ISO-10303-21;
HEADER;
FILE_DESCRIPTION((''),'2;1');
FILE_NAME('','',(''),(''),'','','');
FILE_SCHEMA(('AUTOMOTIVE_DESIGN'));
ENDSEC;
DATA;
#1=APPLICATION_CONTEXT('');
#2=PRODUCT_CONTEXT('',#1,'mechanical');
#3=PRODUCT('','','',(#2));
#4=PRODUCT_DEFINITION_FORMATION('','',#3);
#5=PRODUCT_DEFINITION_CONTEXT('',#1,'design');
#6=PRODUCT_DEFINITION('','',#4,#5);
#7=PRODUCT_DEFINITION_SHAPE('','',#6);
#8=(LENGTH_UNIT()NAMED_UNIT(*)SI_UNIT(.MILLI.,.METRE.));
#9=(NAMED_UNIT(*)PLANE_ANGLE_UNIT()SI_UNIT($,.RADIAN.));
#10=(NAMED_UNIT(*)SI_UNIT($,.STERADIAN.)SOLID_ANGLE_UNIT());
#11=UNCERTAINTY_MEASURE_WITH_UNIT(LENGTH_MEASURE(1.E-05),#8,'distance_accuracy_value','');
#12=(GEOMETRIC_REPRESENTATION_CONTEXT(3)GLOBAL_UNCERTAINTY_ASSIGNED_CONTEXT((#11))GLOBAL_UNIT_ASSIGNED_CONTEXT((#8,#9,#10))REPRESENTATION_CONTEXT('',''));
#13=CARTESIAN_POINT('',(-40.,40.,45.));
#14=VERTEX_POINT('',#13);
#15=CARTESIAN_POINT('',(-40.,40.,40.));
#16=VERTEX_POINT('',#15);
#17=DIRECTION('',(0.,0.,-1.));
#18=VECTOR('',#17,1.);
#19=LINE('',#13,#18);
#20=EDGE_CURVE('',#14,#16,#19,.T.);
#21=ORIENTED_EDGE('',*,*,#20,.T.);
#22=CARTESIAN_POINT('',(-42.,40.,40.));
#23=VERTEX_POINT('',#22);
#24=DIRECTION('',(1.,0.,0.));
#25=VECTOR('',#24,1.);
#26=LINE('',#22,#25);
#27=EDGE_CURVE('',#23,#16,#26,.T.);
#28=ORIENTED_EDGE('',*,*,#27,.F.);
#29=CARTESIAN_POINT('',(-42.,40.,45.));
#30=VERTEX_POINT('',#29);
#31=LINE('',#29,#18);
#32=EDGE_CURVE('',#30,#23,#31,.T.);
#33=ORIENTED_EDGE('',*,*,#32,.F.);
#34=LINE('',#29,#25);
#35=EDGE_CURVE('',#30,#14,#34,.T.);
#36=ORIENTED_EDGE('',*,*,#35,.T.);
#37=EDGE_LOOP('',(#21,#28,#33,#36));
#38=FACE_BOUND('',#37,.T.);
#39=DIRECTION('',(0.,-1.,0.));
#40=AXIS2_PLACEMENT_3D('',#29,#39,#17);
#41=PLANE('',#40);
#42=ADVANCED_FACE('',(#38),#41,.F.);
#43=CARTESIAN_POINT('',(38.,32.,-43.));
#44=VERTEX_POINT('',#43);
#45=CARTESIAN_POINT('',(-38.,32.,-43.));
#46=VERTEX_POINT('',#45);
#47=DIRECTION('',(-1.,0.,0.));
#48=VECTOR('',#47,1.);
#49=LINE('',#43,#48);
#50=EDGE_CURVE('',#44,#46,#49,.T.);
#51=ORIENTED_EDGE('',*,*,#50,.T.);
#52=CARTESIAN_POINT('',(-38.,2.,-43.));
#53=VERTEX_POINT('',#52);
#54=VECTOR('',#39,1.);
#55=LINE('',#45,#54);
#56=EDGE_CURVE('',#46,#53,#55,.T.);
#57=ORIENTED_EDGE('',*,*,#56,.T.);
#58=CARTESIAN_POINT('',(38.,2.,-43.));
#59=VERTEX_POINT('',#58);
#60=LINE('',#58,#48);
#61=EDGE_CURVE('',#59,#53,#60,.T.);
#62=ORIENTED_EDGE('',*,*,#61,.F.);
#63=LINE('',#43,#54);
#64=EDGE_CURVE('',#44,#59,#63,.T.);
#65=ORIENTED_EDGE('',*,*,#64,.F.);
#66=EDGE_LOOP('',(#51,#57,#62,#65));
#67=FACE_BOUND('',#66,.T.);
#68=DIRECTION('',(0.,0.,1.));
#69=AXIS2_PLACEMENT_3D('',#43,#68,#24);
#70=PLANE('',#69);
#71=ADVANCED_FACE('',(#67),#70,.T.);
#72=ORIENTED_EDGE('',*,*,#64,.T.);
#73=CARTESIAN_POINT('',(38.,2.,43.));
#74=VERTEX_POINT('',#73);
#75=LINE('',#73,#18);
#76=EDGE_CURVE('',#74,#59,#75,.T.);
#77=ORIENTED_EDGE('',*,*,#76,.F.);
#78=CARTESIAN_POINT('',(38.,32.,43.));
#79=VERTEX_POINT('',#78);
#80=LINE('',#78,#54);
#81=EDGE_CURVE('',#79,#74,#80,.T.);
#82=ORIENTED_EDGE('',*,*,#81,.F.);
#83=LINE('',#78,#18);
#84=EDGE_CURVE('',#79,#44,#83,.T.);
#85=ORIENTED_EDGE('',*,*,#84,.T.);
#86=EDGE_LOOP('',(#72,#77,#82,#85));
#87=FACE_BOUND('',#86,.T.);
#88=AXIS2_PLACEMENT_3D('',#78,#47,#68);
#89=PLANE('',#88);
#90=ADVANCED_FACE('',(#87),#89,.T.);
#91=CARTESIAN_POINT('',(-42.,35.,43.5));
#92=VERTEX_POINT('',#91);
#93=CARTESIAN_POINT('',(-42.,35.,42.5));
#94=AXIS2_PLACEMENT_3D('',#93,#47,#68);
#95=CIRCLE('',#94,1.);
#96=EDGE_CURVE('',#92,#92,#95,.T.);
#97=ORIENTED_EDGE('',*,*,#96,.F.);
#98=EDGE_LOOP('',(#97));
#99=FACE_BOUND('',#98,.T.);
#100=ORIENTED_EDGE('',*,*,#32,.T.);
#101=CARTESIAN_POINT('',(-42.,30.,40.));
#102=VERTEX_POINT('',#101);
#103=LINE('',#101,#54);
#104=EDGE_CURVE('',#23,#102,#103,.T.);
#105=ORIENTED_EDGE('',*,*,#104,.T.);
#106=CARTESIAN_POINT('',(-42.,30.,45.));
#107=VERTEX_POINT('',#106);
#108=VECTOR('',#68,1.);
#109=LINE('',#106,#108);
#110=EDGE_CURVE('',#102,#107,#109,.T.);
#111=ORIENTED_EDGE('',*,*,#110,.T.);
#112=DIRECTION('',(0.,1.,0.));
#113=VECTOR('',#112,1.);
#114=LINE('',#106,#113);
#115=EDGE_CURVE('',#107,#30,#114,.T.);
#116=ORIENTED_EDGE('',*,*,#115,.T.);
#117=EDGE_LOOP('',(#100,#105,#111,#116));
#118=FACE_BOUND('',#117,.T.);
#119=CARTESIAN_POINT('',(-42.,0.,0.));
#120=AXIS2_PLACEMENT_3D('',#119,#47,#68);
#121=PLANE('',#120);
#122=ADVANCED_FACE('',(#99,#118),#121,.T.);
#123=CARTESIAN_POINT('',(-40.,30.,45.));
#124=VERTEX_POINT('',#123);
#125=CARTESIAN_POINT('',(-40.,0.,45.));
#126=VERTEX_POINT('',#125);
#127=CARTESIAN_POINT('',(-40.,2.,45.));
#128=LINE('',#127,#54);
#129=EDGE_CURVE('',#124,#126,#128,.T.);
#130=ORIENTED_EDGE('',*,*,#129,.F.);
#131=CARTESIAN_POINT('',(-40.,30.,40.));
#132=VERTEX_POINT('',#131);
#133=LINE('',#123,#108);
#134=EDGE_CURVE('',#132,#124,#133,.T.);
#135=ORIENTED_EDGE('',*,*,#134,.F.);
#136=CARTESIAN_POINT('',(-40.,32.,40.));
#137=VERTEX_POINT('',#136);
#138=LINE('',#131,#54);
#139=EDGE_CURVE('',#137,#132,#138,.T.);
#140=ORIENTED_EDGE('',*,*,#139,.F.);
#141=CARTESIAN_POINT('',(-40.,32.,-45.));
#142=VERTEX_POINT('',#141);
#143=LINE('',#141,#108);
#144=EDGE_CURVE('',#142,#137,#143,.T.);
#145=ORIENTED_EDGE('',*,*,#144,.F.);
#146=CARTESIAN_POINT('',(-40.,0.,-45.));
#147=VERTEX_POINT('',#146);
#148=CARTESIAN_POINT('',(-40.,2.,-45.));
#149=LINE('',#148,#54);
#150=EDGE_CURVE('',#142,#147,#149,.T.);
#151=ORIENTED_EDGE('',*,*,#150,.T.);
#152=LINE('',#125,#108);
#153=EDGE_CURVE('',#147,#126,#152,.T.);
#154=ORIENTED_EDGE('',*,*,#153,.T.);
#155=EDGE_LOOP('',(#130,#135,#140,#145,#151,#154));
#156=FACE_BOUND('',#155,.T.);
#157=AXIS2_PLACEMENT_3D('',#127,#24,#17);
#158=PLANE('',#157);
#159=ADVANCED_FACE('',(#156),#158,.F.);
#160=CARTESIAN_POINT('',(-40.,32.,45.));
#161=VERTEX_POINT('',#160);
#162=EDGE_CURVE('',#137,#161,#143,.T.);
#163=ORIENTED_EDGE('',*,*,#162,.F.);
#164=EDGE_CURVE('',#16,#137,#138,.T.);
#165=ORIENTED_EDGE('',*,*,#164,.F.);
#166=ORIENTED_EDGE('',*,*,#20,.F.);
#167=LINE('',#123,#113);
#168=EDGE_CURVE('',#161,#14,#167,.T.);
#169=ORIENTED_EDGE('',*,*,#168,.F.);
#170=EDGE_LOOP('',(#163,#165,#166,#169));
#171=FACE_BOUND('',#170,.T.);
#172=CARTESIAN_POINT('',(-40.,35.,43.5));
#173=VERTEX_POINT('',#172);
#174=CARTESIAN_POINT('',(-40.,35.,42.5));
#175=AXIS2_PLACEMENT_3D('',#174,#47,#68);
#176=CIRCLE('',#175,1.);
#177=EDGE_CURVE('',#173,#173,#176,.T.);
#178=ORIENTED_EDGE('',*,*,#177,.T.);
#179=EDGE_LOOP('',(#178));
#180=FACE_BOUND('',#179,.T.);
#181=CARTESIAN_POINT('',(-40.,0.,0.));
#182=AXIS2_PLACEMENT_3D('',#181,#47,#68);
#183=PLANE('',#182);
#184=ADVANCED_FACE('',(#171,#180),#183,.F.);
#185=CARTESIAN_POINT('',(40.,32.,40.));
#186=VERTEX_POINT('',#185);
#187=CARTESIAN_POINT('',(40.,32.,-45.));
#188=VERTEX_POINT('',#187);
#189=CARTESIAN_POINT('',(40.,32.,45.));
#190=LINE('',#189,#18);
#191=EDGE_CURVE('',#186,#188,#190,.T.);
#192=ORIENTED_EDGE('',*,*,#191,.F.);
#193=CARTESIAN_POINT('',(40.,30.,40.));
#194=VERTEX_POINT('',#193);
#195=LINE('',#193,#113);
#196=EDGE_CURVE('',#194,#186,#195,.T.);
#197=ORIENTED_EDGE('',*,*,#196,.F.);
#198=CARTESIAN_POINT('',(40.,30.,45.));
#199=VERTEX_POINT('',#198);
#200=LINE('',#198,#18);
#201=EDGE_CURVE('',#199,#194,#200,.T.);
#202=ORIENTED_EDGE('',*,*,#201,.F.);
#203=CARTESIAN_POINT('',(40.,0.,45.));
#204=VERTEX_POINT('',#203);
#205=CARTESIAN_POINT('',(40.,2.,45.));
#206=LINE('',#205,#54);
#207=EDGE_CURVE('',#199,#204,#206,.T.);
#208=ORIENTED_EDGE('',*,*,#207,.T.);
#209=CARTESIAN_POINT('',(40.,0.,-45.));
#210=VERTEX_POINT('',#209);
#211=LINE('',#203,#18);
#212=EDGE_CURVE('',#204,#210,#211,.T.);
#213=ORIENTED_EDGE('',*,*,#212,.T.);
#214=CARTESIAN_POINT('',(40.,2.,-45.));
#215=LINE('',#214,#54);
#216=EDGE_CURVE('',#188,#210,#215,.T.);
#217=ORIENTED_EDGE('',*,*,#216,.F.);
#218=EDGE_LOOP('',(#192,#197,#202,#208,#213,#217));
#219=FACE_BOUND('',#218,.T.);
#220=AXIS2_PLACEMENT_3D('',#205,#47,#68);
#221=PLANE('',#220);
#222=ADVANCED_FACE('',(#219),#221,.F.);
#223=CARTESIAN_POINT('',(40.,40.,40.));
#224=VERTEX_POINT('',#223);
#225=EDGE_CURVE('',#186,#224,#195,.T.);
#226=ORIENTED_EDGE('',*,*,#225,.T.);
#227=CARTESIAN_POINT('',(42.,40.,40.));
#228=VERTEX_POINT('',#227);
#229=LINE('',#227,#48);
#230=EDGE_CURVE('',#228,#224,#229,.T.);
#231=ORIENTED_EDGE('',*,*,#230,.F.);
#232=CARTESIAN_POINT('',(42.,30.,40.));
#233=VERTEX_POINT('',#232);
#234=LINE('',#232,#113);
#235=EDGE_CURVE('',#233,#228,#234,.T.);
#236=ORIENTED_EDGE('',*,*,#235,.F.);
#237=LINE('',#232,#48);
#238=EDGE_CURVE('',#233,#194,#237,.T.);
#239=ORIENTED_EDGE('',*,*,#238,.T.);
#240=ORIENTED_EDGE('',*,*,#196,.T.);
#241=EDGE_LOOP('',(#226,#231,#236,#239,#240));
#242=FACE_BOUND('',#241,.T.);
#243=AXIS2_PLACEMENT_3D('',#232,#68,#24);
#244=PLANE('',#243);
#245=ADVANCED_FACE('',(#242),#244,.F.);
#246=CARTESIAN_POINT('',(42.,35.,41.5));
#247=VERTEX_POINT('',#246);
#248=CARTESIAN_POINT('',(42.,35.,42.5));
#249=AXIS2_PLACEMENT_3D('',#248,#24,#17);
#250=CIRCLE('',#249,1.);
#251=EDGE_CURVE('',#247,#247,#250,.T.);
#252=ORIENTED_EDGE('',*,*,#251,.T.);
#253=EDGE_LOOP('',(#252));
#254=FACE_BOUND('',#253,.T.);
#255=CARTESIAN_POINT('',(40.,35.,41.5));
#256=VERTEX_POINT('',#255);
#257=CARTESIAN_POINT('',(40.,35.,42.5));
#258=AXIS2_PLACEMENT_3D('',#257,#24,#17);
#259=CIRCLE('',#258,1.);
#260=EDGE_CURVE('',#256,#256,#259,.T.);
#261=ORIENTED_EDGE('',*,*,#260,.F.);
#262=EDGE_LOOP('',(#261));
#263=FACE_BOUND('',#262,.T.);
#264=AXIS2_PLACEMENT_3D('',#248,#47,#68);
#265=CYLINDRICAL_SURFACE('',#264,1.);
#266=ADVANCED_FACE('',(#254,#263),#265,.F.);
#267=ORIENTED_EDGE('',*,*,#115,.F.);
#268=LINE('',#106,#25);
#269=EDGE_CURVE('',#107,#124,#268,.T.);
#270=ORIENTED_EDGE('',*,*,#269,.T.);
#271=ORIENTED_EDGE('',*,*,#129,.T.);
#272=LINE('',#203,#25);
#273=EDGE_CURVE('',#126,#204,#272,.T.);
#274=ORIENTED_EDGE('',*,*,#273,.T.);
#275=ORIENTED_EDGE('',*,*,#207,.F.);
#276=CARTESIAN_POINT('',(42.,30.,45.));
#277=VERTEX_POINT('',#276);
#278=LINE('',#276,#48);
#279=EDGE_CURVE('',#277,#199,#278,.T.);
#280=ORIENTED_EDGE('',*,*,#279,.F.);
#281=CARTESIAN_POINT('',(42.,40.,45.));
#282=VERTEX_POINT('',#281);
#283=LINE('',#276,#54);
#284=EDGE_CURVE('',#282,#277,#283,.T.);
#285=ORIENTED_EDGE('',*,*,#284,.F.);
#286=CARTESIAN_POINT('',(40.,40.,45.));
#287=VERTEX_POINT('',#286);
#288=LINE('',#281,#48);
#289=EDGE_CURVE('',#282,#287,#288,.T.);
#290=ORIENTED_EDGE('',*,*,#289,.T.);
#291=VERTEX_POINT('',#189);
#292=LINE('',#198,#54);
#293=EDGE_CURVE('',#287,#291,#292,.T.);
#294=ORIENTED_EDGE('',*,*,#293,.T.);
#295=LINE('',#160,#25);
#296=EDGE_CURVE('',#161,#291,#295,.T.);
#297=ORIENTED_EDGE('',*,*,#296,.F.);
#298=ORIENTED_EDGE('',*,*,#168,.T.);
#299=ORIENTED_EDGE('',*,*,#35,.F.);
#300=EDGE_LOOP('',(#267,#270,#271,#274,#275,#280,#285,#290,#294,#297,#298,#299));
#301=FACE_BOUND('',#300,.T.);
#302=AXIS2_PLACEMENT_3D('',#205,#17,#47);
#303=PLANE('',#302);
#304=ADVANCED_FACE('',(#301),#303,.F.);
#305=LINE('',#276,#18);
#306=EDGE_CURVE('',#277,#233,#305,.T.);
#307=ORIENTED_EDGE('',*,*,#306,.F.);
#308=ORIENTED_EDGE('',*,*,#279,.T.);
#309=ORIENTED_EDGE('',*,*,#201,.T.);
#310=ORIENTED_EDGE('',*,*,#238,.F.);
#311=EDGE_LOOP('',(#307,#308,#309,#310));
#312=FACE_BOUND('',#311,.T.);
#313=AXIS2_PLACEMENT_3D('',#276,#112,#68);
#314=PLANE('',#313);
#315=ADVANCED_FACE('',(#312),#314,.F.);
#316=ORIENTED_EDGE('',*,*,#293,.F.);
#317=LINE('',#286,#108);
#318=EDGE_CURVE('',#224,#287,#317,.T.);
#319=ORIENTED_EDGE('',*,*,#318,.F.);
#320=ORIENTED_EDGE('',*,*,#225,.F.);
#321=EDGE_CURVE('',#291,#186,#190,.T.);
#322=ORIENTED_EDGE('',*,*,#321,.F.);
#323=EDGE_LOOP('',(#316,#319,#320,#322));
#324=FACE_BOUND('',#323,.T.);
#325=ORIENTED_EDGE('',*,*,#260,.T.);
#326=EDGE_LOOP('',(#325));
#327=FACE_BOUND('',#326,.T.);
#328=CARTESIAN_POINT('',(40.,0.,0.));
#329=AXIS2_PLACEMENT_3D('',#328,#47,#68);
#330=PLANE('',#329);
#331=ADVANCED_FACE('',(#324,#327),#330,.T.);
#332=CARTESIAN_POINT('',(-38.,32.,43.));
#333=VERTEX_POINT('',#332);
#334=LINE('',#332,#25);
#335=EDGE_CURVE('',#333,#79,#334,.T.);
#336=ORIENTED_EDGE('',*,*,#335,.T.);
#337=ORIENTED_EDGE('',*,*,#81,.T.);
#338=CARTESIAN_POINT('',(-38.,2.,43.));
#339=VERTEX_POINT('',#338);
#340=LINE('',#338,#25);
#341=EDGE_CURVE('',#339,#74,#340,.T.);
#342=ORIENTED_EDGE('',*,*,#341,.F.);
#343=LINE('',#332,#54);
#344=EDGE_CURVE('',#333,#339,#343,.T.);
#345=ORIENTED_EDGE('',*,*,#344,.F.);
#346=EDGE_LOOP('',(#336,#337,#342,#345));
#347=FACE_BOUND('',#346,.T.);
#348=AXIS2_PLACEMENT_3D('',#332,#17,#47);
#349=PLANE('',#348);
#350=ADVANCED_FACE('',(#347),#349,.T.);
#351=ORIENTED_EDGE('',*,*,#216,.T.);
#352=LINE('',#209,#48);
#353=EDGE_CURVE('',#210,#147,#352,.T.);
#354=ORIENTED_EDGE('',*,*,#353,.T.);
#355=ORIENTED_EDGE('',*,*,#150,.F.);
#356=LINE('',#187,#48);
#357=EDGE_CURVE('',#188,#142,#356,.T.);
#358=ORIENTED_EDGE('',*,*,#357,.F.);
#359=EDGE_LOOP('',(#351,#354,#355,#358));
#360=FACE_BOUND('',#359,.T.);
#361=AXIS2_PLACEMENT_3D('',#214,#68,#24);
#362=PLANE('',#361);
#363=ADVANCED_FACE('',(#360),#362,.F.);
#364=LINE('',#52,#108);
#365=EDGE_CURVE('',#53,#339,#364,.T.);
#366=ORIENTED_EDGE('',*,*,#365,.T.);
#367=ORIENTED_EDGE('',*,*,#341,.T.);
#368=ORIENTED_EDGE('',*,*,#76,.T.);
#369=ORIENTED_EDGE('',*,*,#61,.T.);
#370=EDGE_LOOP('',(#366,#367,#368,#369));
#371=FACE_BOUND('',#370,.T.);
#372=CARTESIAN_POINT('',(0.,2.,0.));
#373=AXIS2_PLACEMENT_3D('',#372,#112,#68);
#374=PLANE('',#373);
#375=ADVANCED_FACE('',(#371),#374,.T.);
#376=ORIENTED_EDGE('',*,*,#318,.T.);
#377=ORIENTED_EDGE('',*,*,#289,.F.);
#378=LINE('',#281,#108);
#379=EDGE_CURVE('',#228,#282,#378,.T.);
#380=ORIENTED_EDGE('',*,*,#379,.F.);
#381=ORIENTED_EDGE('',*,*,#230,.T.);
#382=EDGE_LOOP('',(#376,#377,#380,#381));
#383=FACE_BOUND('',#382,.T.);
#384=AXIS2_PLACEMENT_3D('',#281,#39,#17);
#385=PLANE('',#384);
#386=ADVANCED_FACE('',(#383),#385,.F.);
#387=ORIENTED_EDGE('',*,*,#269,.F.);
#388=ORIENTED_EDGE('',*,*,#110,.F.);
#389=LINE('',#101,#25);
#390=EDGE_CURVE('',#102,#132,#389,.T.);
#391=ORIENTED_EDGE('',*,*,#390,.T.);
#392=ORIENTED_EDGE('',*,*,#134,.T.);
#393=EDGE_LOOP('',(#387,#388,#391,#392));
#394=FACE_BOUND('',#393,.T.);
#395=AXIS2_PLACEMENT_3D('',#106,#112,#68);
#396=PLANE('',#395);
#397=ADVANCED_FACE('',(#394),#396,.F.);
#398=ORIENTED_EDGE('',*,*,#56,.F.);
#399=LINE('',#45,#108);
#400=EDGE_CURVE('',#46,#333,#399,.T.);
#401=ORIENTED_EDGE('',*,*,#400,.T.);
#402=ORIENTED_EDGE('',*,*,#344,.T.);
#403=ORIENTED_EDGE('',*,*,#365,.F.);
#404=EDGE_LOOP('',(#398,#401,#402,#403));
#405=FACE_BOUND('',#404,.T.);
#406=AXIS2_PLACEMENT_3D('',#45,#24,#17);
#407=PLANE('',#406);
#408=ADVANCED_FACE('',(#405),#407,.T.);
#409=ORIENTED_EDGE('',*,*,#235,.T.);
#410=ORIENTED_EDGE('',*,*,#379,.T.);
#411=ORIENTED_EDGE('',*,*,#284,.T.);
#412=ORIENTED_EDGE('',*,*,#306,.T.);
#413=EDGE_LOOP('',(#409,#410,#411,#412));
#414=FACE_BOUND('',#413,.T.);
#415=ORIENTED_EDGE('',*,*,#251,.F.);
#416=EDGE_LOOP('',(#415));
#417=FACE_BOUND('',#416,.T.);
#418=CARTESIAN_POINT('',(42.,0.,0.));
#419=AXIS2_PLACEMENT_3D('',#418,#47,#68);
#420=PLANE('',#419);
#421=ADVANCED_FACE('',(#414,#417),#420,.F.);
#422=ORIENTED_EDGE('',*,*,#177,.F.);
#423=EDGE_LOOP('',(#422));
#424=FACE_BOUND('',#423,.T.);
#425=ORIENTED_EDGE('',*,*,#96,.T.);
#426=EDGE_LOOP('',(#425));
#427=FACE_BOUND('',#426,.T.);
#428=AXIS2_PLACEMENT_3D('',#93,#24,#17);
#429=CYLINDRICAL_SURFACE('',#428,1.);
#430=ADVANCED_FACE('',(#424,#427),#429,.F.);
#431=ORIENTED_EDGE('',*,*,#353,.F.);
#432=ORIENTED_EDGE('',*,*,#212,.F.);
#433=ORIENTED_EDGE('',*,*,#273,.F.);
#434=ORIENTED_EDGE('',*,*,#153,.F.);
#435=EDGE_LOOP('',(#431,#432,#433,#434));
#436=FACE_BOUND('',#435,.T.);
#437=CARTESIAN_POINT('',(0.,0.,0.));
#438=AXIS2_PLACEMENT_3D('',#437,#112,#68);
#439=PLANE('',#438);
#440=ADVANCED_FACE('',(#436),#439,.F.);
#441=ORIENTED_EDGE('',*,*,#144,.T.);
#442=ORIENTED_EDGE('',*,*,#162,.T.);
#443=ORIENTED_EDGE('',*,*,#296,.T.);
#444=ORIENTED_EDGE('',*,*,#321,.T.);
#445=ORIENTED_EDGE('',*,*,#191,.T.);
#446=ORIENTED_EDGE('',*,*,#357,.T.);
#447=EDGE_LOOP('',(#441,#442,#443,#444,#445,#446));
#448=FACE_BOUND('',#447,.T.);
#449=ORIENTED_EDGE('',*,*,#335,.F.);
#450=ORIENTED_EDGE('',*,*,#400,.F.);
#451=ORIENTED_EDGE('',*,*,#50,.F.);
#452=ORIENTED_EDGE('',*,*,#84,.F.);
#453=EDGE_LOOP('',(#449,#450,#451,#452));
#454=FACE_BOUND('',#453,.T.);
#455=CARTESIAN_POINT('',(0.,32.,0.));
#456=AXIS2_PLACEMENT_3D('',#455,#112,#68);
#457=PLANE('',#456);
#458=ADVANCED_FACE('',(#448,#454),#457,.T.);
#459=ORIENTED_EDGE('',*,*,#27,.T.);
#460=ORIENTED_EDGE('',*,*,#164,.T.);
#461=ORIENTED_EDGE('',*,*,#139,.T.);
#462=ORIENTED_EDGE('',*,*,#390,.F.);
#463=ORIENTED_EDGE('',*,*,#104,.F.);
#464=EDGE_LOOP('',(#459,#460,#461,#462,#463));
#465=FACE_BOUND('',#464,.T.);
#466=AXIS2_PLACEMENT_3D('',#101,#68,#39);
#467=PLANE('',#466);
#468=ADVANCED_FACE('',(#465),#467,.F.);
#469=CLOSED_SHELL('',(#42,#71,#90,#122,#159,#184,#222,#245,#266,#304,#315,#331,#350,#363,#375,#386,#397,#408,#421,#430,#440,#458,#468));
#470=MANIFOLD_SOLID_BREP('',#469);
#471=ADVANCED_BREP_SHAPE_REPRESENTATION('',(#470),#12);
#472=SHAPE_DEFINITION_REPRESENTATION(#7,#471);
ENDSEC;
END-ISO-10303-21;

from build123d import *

# Parameters (mm, degrees)
SKETCH1_W           = 80
SKETCH1_H           = 90
BOSS_EXTRUDE1_DEPTH = 2
SKETCH2_W           = 80
SKETCH2_H           = 90
SKETCH2_W_2         = 76
SKETCH2_H_2         = 86
BOSS_EXTRUDE2_DEPTH = 30
SKETCH4_W           = 5
SKETCH4_H           = 10
SKETCH4_R           = 1
BOSS_EXTRUDE3_DEPTH = 2
BOSS_EXTRUDE4_START = 2
SKETCH5_W           = 5
SKETCH5_H           = 10
SKETCH5_R           = 1
BOSS_EXTRUDE4_DEPTH = 2


with BuildPart() as part:
    # Sketch1 → Boss-Extrude1 (new body)
    with BuildSketch(Plane(origin=(0, 0, 0), x_dir=(1, 0, 0), z_dir=(0, 1, 0))):
        Rectangle(SKETCH1_W, SKETCH1_H)
    extrude(amount=BOSS_EXTRUDE1_DEPTH)

    # Sketch2 → Boss-Extrude2 (add)
    with BuildSketch(Plane(origin=(0, 2, 0), x_dir=(1, 0, 0), z_dir=(0, 1, 0))):
        Rectangle(SKETCH2_W, SKETCH2_H)
        Rectangle(SKETCH2_W_2, SKETCH2_H_2, mode=Mode.SUBTRACT)
    extrude(amount=BOSS_EXTRUDE2_DEPTH)

    # Sketch4 → Boss-Extrude3 (add)
    with BuildSketch(Plane(origin=(40, 0, 0), x_dir=(0, 0, -1), z_dir=(1, 0, 0))):
        with Locations((-42.5, 35)):
            Rectangle(SKETCH4_W, SKETCH4_H)
        with Locations((-42.5, 35)):
            Circle(SKETCH4_R, mode=Mode.SUBTRACT)
    extrude(amount=BOSS_EXTRUDE3_DEPTH)

    # Sketch5 → Boss-Extrude4 (add)
    with BuildSketch(Plane.ZY.offset(40).offset(BOSS_EXTRUDE4_START)):
        with Locations((42.5, 35)):
            Rectangle(SKETCH5_W, SKETCH5_H)
        with Locations(Location((42.5, 35, 0), (0, 0, 180))):
            Circle(SKETCH5_R, mode=Mode.SUBTRACT)
    extrude(amount=-BOSS_EXTRUDE4_DEPTH)


solid = part.part
